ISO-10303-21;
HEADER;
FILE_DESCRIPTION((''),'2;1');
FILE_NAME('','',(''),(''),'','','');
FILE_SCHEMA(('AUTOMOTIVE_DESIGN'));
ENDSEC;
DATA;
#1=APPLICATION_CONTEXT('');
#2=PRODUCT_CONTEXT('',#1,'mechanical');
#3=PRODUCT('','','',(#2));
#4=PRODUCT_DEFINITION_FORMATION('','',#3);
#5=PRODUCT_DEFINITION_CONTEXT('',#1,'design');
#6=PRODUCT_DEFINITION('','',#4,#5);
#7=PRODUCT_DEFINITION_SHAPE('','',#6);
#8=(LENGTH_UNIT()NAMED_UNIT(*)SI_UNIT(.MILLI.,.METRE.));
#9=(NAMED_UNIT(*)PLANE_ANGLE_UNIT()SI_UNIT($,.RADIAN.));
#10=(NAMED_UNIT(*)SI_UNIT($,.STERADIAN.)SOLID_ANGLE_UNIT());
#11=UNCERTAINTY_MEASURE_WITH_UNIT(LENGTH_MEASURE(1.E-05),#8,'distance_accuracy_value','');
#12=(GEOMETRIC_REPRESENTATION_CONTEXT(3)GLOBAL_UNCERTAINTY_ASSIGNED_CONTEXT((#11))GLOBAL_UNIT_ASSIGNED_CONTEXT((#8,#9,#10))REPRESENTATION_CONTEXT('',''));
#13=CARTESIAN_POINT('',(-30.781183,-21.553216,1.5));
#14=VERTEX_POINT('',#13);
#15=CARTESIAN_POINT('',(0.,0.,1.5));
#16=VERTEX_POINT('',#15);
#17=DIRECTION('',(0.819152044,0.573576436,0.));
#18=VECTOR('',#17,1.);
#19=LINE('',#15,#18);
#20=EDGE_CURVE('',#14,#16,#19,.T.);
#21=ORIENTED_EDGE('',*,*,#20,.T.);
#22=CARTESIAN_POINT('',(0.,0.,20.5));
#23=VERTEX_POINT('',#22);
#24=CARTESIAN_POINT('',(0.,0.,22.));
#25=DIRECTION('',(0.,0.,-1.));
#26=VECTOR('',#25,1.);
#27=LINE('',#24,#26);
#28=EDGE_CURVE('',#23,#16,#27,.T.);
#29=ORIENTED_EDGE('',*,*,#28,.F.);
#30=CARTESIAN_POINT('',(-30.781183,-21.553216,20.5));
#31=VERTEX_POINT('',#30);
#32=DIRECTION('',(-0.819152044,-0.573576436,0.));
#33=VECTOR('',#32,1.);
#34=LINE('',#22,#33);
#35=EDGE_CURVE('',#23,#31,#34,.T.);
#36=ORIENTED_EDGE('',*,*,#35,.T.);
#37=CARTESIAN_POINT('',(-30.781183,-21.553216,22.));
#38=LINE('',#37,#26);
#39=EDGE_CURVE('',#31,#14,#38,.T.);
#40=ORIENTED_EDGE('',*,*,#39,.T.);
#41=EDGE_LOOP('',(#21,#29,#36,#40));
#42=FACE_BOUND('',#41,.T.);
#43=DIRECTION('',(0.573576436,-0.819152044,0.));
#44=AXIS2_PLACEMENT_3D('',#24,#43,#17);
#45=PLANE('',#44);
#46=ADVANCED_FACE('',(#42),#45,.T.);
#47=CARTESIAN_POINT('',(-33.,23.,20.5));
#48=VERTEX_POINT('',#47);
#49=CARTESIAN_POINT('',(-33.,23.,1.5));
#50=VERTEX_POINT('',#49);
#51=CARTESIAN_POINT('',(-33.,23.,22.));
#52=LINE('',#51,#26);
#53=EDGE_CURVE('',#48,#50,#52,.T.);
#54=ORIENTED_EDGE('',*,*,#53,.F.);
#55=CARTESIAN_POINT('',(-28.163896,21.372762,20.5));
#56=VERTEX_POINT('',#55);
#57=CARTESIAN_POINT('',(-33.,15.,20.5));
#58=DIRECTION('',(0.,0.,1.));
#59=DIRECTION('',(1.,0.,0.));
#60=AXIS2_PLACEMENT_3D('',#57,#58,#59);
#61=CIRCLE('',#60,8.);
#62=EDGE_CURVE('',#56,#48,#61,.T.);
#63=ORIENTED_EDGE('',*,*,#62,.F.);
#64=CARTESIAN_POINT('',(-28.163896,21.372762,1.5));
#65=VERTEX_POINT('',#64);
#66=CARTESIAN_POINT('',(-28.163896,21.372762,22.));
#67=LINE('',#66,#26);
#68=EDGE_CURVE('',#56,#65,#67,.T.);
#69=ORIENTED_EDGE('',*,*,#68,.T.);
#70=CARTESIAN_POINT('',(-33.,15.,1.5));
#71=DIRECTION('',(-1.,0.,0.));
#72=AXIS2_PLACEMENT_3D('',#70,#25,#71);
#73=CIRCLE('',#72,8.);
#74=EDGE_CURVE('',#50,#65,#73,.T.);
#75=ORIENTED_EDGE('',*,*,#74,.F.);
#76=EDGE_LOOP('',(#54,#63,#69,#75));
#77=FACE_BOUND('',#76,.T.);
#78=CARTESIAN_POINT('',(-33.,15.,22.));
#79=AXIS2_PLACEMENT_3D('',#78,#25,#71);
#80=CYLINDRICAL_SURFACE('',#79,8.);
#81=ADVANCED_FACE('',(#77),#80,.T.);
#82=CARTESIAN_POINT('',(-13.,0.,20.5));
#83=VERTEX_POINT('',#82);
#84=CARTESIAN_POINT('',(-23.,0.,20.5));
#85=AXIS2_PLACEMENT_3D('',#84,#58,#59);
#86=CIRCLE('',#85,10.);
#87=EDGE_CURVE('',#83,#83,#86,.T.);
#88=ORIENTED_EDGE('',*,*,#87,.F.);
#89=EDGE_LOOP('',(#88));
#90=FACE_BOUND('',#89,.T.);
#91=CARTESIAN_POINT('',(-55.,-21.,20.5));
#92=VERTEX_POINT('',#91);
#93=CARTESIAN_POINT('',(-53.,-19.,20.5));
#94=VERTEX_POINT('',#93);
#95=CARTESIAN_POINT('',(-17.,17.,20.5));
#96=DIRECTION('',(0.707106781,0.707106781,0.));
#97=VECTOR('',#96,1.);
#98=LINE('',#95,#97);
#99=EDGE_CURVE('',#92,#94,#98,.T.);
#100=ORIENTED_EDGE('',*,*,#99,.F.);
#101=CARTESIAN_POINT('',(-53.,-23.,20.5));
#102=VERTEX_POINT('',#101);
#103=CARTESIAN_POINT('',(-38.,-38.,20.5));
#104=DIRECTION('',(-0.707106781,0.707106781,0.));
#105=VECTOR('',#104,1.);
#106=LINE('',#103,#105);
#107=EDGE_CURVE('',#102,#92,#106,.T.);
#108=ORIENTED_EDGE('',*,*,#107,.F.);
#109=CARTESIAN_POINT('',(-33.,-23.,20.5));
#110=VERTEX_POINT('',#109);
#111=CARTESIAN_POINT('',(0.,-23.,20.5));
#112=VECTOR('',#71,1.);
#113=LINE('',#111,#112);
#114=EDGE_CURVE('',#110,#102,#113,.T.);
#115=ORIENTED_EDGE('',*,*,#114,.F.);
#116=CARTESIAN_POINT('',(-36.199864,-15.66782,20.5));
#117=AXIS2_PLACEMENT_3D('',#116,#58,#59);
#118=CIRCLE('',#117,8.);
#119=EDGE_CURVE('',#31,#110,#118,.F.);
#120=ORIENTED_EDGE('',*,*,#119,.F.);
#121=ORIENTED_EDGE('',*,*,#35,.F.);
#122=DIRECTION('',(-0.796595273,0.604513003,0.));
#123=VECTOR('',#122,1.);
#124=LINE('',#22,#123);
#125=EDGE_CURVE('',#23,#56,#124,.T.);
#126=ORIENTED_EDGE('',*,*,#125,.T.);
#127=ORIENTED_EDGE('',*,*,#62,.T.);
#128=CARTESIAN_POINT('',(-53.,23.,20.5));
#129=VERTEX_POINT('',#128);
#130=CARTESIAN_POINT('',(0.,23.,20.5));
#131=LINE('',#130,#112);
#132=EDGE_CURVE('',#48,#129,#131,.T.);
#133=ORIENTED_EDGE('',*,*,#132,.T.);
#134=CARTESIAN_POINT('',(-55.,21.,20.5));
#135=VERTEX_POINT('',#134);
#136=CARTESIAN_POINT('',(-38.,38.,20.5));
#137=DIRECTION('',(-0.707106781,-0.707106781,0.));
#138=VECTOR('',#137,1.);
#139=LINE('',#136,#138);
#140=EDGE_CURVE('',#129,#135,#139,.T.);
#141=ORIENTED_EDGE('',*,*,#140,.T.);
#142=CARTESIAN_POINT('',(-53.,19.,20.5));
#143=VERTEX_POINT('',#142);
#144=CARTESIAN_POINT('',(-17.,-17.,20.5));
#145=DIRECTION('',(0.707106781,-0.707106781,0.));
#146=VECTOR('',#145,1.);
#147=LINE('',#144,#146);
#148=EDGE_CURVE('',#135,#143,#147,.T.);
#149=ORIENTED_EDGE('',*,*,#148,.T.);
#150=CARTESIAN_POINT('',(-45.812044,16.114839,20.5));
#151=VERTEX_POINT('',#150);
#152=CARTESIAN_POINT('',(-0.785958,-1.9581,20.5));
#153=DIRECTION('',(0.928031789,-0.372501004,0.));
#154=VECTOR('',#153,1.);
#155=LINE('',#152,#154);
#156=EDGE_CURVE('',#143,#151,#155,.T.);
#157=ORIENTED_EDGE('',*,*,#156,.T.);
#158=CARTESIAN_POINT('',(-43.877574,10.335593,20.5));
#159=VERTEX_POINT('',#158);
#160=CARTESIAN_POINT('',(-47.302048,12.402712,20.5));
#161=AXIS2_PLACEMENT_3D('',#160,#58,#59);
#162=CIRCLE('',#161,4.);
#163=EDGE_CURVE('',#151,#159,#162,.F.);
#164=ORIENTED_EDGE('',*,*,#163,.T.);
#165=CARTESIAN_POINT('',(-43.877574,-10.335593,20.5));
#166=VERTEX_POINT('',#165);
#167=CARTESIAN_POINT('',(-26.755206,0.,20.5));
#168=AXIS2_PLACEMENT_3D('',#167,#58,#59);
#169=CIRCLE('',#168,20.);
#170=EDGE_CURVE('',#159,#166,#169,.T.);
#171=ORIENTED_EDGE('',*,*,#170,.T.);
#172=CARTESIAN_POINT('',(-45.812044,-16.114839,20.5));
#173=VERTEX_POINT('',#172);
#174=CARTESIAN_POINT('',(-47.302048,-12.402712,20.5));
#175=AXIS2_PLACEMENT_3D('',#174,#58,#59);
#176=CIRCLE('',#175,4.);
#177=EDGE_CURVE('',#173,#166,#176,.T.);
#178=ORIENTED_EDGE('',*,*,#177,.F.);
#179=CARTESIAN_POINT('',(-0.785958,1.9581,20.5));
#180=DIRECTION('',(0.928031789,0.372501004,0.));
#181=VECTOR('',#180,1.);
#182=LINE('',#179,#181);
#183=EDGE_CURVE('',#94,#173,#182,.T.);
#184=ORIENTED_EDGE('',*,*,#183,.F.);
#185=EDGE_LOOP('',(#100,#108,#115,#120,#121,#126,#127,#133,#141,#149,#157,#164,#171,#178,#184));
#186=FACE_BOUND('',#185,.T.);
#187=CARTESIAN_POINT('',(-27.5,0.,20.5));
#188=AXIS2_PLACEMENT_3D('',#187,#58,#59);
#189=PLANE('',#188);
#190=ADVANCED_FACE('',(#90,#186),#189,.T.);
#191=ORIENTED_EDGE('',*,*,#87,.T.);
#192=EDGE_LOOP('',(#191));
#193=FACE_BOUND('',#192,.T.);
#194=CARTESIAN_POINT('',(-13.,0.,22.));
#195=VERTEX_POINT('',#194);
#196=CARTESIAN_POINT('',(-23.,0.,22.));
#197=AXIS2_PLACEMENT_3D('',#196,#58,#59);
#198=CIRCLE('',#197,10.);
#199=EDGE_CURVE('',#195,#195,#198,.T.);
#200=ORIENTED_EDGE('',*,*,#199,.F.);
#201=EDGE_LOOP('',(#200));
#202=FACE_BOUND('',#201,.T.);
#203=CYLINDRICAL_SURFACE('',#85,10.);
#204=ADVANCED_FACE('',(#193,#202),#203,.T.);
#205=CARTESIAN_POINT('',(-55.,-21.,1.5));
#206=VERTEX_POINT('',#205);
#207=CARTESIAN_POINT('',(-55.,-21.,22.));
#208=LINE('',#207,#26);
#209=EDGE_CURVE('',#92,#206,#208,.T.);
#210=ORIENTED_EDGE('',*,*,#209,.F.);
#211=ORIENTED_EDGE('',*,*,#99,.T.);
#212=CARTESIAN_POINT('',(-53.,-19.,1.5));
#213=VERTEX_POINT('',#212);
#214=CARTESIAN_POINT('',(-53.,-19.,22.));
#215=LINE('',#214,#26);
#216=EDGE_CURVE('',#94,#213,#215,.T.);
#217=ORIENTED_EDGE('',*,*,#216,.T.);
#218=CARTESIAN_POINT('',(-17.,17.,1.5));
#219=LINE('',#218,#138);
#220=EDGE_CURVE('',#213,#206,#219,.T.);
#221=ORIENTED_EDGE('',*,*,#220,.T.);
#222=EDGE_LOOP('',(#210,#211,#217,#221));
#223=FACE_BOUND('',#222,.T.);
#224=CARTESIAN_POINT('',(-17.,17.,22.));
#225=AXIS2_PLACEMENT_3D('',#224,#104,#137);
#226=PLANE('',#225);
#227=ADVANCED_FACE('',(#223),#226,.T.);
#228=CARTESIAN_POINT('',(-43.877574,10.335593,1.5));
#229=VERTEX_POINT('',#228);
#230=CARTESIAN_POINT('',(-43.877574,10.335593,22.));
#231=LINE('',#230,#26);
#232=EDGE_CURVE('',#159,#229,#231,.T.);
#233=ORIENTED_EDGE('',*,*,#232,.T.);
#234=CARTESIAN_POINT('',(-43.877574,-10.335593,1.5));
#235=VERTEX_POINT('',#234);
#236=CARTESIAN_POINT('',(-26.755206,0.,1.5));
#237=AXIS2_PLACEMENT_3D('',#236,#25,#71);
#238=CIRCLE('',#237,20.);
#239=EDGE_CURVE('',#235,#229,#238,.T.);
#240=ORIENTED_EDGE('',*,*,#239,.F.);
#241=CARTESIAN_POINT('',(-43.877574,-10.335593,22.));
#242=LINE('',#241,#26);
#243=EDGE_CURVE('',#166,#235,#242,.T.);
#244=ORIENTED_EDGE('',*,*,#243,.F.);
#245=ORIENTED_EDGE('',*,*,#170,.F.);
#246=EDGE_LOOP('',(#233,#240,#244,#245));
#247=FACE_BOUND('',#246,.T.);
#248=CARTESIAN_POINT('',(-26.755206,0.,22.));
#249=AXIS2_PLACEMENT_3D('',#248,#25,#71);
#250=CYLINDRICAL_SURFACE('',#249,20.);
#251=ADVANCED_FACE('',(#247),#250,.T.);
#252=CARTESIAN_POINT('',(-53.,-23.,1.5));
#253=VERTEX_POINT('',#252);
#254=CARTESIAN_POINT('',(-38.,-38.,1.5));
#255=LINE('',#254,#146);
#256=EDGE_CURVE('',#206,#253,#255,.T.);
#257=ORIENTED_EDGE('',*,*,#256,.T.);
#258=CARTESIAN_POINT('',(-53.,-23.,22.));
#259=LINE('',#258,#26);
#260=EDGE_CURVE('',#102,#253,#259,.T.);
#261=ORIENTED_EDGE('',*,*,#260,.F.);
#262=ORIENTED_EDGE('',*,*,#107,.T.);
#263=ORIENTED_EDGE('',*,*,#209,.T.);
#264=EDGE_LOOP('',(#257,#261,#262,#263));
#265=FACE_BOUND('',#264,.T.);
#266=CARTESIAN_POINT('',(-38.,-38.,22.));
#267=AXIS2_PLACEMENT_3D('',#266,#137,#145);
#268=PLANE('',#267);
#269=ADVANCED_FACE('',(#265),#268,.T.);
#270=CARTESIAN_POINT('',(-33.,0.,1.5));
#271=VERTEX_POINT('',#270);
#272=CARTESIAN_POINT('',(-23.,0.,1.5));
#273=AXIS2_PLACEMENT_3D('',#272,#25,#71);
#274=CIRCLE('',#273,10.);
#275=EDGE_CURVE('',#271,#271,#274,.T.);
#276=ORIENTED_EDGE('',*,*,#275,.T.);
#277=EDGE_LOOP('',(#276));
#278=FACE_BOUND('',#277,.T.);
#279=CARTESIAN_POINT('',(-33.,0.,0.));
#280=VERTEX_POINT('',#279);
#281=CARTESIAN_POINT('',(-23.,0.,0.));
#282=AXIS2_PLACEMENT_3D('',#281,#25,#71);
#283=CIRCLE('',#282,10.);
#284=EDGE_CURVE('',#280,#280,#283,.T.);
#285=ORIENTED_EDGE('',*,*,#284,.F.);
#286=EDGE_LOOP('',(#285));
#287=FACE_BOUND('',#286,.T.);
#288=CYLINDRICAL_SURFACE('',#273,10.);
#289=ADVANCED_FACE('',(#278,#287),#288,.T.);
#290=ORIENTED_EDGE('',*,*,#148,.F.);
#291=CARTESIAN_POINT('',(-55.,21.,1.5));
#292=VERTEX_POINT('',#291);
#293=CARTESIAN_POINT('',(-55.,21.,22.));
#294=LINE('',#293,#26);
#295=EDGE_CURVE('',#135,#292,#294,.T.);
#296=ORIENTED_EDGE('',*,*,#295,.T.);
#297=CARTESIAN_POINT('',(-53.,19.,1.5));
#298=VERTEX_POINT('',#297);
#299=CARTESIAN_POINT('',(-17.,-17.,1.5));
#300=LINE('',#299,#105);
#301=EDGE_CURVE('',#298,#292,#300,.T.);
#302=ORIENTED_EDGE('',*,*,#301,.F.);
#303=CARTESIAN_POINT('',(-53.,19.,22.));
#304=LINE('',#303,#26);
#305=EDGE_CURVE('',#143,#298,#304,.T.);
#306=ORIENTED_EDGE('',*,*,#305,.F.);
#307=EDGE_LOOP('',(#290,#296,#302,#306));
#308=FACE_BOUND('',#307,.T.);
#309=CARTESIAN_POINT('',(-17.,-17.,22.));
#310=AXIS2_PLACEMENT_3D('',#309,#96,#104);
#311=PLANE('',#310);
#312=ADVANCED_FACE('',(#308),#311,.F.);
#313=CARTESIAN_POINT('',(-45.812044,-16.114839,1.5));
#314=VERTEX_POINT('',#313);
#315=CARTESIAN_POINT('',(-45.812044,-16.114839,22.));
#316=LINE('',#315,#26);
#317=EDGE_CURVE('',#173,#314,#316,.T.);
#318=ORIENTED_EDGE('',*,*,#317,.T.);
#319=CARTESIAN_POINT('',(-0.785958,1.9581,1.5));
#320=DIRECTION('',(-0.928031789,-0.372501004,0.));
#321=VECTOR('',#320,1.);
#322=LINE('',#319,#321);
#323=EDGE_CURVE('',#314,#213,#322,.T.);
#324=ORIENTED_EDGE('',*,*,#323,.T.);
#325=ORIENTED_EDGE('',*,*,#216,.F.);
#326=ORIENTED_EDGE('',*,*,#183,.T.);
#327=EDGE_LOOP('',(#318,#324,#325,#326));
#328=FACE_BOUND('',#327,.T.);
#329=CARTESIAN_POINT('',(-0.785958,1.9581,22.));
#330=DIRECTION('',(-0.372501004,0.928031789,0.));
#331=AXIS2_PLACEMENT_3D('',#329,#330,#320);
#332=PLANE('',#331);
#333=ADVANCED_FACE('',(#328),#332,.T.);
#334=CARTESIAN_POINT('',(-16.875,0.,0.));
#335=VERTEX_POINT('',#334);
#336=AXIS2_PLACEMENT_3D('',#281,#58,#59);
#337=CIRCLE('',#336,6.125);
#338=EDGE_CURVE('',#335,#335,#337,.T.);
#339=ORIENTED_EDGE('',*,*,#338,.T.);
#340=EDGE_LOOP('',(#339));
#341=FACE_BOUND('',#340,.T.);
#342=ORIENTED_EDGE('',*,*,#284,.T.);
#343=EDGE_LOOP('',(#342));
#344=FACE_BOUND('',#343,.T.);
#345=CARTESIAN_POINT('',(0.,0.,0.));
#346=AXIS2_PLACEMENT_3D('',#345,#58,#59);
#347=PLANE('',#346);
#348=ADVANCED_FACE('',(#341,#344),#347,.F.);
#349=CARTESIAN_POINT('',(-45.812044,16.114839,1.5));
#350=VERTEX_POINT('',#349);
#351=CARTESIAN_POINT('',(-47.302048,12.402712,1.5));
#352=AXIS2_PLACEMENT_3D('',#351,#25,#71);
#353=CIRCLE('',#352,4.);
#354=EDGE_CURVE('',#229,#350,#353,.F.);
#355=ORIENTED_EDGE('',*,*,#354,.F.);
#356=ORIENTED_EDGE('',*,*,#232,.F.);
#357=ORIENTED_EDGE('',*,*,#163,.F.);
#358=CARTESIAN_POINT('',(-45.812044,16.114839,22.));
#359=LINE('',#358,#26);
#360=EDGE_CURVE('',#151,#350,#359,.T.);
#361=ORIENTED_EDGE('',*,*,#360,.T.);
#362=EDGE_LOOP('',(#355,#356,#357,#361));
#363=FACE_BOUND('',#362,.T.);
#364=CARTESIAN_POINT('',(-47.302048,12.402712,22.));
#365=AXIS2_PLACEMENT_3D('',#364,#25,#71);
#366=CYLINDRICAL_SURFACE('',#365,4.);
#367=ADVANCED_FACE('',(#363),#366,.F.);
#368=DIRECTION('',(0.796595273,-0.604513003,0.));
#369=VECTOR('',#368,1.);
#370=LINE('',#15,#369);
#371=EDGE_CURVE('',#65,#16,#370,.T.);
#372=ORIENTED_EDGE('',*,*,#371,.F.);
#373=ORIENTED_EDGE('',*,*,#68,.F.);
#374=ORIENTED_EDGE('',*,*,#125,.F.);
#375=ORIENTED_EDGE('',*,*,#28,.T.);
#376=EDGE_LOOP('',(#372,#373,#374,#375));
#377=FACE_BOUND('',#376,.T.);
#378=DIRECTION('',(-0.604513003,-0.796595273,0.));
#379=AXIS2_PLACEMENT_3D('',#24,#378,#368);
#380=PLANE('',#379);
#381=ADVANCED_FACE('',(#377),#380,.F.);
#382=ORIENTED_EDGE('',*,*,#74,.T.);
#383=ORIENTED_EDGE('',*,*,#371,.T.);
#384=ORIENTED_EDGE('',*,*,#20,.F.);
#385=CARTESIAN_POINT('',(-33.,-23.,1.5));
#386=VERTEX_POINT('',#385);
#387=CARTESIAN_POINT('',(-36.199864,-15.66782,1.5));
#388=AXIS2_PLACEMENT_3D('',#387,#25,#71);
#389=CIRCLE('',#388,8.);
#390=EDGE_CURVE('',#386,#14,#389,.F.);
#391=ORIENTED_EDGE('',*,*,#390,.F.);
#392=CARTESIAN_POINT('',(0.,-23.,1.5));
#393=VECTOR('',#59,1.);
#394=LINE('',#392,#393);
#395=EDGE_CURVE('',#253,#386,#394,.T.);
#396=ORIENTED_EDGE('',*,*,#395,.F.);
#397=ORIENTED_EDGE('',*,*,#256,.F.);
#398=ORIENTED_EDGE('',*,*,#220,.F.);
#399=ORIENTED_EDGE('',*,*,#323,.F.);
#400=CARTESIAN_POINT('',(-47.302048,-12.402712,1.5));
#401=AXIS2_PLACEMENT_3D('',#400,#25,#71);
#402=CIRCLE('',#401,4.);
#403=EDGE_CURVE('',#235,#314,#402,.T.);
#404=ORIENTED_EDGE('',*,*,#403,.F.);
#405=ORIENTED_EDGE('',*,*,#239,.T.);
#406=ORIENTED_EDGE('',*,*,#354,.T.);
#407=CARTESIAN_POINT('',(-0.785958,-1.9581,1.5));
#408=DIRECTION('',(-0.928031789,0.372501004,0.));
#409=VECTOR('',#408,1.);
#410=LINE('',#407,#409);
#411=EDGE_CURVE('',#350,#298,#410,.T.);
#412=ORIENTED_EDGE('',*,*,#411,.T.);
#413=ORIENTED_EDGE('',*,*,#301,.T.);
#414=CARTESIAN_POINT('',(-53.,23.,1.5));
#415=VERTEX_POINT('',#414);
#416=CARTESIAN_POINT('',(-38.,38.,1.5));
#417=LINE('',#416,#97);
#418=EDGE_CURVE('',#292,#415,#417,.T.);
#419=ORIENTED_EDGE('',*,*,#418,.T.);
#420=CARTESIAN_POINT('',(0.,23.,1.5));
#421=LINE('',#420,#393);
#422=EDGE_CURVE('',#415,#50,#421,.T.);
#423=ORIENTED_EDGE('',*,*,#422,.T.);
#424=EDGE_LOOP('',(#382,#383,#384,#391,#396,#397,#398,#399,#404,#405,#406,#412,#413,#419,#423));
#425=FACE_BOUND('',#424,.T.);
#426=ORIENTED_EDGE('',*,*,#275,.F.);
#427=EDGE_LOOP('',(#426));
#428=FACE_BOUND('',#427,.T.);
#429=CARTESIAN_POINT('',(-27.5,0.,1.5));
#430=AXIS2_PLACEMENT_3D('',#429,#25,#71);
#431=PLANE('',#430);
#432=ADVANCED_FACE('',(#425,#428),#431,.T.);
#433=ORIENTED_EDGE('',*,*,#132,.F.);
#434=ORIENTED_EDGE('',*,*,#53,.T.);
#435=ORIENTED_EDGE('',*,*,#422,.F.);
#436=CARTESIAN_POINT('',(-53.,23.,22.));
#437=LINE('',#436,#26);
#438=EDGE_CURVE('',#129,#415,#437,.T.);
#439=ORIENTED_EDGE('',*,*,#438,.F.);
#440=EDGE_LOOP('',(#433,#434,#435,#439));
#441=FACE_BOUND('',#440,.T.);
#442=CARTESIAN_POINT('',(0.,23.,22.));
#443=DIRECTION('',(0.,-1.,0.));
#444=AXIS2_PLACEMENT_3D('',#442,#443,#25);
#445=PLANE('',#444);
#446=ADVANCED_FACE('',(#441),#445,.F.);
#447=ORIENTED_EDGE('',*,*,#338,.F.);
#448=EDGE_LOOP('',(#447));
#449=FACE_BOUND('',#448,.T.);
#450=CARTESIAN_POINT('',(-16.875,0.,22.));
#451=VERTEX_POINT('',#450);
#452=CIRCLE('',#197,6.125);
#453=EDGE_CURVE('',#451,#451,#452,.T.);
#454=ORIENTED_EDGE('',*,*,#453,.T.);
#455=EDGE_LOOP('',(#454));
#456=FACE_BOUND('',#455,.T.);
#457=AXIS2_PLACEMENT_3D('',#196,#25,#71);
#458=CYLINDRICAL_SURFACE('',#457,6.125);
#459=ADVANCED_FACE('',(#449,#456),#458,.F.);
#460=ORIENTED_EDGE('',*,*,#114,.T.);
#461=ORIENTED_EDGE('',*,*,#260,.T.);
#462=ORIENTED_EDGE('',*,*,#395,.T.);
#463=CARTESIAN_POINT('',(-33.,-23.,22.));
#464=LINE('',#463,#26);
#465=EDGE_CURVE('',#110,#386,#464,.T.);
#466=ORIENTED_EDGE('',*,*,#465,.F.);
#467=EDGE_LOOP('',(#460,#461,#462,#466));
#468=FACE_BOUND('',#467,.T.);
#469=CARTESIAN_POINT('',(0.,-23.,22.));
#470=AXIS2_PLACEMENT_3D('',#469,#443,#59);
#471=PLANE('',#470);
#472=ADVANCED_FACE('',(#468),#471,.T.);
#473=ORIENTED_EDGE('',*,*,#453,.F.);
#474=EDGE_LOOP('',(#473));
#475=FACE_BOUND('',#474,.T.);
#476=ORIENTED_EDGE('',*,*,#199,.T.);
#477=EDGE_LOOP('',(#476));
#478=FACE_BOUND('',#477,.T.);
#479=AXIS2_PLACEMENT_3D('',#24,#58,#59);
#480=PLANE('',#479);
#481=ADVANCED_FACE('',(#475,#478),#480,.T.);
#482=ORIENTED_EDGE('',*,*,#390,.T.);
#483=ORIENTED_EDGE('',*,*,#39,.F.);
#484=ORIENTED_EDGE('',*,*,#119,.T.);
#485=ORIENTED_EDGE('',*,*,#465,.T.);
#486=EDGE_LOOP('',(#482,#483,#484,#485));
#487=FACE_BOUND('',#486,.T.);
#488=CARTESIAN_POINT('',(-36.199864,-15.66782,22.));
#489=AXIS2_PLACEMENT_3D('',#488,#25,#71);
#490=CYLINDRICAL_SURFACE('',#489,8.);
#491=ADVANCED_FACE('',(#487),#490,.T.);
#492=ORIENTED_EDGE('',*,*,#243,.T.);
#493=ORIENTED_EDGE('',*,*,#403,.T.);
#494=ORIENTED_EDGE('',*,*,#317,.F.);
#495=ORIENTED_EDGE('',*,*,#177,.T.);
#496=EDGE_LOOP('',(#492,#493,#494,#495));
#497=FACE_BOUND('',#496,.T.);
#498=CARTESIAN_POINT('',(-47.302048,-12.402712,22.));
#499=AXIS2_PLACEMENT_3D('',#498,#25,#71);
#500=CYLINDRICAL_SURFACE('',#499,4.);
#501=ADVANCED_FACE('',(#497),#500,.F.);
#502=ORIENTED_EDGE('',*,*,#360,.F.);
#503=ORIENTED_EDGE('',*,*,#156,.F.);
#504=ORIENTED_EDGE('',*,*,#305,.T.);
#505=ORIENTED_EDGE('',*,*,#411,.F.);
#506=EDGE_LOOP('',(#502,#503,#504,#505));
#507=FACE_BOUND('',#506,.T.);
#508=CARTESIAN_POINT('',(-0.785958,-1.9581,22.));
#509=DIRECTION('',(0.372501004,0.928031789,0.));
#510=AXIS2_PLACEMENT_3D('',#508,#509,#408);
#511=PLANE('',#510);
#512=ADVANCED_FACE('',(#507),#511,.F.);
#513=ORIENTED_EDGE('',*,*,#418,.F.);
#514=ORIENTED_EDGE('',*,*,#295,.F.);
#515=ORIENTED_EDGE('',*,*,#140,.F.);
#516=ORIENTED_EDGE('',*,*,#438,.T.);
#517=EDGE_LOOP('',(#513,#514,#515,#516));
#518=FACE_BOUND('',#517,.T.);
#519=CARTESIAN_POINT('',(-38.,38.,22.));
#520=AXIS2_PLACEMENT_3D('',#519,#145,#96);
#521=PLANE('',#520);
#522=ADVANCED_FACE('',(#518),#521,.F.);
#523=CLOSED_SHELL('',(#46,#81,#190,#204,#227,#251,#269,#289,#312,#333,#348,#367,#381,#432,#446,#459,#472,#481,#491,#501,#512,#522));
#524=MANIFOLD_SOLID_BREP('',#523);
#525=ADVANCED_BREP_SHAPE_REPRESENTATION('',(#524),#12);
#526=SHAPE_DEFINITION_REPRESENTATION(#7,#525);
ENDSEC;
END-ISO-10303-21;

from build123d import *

# Parameters (mm, degrees)
ESBO_O1_R                = 6.125
RESSALTO_EXTRUS_O1_DEPTH = 22
ESBO_O2_OUTSIDE_W        = 72
ESBO_O2_OUTSIDE_H        = 63
ESBO_O2_OUTSIDE_R        = 10
CORTE_EXTRUS_O1_DEPTH    = 1.5
ESBO_O3_OUTSIDE_W        = 72
ESBO_O3_OUTSIDE_H        = 63
ESBO_O3_OUTSIDE_R        = 10
CORTE_EXTRUS_O2_DEPTH    = 1.5


with BuildPart() as part:
    # Esboço1 → Ressalto-extrusão1 (new body)
    with BuildSketch(Plane.XY):
        with BuildLine():
            ThreePointArc((-30.781182975, -21.553216354), (-31.830295908, -22.369078713), (-33, -23))
            Line((-33, -23), (-53, -23))
            Line((-53, -23), (-55, -21))
            Line((-55, -21), (-53, -19))
            Line((-53, -19), (-45.812043902, -16.114839283))
            ThreePointArc((-45.812043902, -16.114839283), (-43.50890364, -13.67237999), (-43.877574187, -10.335593438))
            ThreePointArc((-43.877574187, -10.335593438), (-46.755205534, 0), (-43.877574187, 10.335593438))
            ThreePointArc((-43.877574187, 10.335593438), (-43.50890364, 13.67237999), (-45.812043902, 16.114839283))
            Line((-45.812043902, 16.114839283), (-53, 19))
            Line((-53, 19), (-55, 21))
            Line((-55, 21), (-53, 23))
            Line((-53, 23), (-33, 23))
            ThreePointArc((-33, 23), (-30.448735361, 22.582285193), (-28.163895976, 21.372762185))
            Line((-28.163895976, 21.372762185), (0, 0))
            Line((0, 0), (-30.781182975, -21.553216354))
        make_face()
        with Locations((-23, 0)):
            Circle(ESBO_O1_R, mode=Mode.SUBTRACT)
    extrude(amount=RESSALTO_EXTRUS_O1_DEPTH)

    # Esboço2 outside → Corte-extrusão1 (cut)
    with BuildSketch(Plane.XY.offset(22)):
        with Locations((-27.5, 0)):
            Rectangle(ESBO_O2_OUTSIDE_W, ESBO_O2_OUTSIDE_H)
        with Locations((-23, 0)):
            Circle(ESBO_O2_OUTSIDE_R, mode=Mode.SUBTRACT)
    extrude(amount=-CORTE_EXTRUS_O1_DEPTH, mode=Mode.SUBTRACT)

    # Esboço3 outside → Corte-extrusão2 (cut)
    with BuildSketch(Plane(origin=(0, 0, 0), x_dir=(-1, 0, 0), z_dir=(0, 0, -1))):
        with Locations((27.5, 0)):
            Rectangle(ESBO_O3_OUTSIDE_W, ESBO_O3_OUTSIDE_H)
        with Locations(Location((23, 0, 0), (0, 0, 180))):
            Circle(ESBO_O3_OUTSIDE_R, mode=Mode.SUBTRACT)
    extrude(amount=-CORTE_EXTRUS_O2_DEPTH, mode=Mode.SUBTRACT)


solid = part.part
